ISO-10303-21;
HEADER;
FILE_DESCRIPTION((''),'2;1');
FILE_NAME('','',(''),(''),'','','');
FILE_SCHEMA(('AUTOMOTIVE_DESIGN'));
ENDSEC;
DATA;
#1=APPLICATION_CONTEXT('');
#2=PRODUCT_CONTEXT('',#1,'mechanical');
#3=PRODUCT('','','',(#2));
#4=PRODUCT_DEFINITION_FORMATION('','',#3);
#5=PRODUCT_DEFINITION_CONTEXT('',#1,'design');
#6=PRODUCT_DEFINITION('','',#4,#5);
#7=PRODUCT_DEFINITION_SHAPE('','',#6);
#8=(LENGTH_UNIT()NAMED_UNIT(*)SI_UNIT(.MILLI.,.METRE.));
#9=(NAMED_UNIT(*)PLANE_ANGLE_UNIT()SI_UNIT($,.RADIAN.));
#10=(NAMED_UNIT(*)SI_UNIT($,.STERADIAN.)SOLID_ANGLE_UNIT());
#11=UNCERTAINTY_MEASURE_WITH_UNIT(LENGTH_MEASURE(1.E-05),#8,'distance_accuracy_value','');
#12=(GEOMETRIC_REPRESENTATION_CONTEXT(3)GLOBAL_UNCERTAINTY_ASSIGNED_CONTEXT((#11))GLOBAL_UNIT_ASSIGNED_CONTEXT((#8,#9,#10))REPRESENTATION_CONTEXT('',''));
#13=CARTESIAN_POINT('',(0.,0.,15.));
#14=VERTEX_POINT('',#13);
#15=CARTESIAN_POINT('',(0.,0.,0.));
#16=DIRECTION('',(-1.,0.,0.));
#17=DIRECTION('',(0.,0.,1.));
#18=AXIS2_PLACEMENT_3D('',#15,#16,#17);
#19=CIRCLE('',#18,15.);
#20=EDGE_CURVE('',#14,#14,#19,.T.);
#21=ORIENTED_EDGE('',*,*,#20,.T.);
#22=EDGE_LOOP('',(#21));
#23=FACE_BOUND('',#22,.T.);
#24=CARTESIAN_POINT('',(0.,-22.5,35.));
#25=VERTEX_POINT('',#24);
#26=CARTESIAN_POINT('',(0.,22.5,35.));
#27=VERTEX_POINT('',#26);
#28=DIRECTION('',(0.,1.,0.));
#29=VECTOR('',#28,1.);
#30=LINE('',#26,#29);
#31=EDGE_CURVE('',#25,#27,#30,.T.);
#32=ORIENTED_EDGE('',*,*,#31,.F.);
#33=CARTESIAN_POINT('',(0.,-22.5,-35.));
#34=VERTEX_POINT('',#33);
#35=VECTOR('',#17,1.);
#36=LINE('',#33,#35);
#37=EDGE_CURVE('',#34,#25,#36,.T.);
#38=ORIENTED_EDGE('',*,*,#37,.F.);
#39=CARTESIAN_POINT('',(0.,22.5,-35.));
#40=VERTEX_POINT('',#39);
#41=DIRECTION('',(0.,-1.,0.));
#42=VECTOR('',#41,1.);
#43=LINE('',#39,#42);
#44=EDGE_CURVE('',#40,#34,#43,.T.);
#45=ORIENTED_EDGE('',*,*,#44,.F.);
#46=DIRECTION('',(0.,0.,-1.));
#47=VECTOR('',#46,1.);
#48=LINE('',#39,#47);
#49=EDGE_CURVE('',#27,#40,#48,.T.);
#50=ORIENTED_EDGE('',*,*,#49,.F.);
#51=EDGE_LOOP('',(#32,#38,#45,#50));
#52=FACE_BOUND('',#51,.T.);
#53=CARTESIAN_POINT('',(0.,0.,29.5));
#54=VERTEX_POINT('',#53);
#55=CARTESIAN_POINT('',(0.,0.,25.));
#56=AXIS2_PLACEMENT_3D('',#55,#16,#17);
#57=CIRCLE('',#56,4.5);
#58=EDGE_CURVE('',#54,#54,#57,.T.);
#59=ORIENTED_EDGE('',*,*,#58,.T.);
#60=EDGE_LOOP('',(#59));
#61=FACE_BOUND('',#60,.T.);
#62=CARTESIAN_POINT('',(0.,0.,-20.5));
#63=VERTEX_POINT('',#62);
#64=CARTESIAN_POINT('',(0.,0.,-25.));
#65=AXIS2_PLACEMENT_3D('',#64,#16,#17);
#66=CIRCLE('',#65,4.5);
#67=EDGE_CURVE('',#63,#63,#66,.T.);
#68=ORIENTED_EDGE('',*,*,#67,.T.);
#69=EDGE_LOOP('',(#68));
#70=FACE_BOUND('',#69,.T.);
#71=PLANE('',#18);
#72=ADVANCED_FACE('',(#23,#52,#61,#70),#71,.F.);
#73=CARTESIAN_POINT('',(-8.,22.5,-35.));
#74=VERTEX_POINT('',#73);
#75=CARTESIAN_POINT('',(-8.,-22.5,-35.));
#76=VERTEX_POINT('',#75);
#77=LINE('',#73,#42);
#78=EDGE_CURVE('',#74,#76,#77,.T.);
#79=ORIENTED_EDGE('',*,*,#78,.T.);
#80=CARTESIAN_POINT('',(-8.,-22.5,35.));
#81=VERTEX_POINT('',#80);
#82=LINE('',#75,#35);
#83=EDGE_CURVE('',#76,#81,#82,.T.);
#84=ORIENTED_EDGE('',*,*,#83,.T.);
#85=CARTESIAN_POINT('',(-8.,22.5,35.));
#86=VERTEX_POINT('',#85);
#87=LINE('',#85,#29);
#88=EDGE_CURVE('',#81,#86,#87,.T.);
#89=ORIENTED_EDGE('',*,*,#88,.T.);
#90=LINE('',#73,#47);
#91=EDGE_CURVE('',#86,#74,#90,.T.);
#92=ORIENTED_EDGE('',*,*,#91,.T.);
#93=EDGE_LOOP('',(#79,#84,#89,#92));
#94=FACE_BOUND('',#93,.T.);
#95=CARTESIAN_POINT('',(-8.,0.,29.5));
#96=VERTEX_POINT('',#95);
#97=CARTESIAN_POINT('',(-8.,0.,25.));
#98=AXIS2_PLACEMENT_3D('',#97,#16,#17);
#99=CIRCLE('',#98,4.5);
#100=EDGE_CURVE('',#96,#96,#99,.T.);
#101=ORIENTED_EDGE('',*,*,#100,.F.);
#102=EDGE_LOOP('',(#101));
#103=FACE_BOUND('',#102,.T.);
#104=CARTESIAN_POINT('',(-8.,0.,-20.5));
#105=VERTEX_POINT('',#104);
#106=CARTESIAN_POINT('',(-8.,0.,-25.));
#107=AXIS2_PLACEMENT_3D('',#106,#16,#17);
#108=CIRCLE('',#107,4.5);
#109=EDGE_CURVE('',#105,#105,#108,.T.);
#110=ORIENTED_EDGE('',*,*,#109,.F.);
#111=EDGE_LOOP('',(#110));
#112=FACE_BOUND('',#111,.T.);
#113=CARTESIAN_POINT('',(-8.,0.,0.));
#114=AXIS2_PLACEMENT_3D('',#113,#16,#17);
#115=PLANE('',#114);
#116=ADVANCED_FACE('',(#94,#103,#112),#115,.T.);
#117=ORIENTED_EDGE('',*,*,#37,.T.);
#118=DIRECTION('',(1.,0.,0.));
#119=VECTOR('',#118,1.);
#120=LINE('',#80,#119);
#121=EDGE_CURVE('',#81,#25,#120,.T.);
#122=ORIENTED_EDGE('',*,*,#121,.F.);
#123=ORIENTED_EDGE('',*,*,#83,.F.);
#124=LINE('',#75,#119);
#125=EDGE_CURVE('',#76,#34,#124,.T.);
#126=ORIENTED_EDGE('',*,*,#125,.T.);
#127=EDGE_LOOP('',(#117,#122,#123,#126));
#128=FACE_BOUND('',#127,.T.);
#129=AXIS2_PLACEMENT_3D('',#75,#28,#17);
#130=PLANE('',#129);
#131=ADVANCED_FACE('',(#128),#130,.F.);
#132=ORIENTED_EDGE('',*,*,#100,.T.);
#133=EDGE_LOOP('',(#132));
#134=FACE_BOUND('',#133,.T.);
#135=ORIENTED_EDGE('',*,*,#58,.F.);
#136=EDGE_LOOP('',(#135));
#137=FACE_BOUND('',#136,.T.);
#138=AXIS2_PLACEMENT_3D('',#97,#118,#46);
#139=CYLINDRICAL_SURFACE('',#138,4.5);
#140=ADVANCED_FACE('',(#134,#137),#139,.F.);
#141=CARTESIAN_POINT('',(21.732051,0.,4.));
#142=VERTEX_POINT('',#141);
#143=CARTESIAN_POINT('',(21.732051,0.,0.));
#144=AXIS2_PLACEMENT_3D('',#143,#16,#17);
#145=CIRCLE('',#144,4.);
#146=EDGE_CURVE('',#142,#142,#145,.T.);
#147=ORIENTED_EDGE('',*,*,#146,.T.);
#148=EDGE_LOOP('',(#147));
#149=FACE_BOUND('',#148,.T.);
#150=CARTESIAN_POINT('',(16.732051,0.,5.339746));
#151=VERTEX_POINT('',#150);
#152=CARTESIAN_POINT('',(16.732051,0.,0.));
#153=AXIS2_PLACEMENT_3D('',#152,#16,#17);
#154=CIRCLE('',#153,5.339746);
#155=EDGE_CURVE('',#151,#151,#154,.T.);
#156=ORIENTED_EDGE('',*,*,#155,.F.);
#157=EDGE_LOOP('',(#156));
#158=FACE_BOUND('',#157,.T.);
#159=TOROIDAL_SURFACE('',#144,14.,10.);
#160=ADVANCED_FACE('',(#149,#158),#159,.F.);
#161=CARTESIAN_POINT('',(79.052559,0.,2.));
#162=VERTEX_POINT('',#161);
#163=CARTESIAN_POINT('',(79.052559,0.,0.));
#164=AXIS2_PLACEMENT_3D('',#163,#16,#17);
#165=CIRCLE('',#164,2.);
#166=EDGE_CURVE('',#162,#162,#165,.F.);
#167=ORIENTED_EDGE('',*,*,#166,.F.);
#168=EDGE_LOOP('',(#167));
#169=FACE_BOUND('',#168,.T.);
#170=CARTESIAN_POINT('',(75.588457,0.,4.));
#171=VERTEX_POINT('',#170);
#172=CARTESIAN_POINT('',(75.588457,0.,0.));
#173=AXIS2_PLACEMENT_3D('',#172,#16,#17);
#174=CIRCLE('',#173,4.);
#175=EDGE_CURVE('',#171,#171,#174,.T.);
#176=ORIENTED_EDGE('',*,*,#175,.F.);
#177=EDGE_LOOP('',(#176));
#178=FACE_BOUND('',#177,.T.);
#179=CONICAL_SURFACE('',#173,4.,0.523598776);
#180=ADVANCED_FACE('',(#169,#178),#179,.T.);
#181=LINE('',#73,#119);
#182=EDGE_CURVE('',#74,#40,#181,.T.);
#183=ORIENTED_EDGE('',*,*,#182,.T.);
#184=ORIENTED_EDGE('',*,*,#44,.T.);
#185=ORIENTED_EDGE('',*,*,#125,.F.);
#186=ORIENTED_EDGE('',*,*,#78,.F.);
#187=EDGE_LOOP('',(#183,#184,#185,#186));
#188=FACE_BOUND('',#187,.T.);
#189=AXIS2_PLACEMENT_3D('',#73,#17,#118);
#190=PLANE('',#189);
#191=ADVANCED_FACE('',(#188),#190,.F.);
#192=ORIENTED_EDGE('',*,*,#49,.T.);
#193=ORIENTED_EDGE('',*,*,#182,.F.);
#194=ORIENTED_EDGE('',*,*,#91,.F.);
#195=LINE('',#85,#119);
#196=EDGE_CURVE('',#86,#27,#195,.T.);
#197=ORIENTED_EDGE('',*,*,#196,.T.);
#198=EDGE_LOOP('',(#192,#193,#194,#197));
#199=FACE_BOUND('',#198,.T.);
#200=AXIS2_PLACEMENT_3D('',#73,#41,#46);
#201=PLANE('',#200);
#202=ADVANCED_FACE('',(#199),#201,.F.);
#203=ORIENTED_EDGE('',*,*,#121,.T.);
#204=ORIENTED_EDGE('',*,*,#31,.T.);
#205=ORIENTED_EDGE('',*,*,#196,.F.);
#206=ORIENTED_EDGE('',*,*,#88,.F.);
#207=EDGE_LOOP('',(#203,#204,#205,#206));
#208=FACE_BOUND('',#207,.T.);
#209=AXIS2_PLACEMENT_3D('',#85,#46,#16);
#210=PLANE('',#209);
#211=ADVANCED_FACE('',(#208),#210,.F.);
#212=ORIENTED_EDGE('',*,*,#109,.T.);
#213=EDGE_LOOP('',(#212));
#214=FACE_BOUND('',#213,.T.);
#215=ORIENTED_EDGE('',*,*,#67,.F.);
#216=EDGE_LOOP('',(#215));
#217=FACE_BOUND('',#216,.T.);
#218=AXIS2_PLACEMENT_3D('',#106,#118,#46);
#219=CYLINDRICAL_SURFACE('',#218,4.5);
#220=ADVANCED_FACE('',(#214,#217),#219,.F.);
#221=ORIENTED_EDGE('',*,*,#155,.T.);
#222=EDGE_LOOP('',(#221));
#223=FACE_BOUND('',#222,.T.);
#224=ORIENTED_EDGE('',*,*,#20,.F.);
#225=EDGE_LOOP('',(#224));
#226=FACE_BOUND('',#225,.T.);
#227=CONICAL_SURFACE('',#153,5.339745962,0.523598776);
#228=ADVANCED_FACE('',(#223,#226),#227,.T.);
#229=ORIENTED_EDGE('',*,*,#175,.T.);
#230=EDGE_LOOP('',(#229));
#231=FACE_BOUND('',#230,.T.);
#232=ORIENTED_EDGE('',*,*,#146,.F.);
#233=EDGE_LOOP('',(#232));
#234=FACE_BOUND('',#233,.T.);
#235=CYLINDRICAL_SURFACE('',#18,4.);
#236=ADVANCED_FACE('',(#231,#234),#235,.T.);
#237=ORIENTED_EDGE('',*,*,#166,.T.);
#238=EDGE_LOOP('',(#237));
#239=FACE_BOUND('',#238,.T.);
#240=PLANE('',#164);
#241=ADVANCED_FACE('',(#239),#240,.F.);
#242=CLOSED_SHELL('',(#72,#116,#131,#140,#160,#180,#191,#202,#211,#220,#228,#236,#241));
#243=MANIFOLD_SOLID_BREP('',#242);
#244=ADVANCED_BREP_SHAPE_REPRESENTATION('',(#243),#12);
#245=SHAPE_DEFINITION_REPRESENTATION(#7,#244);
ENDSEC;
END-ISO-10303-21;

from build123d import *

# Parameters (mm, degrees)
FASE1_SIZE                      = 2
FASE1_SIZE2                     = 3.464101615
SKIZZE2_W                       = 70
SKIZZE2_H                       = 45
SKIZZE2_R                       = 4.5
AUFSATZ_LINEAR_AUSTRAGEN1_DEPTH = 8


with BuildPart() as part:
    # Skizze1 → Rotation1 (revolve)
    with BuildSketch(Plane.XY):
        with BuildLine():
            Line((79.052558883, 0), (79.052558883, 4))
            Line((79.052558883, 4), (21.732050808, 4))
            ThreePointArc((21.732050808, 4), (19.143860357, 4.340741737), (16.732050808, 5.339745962))
            Line((16.732050808, 5.339745962), (0, 15))
            Line((0, 15), (0, 0))
            Line((0, 0), (79.052558883, 0))
        make_face()
    revolve(axis=Axis((0, 0, 0), (1, 0, 0)))

    # Fase1
    fase1_edges = [part.edges().sort_by_distance(p)[0] for p in [
        (79.052558883, -4, 0),
    ]]
    fase1_side = [part.faces().sort_by_distance(p)[0] for p in [
        (79.052558883, 0, 0),
    ]]
    chamfer(fase1_edges, length=FASE1_SIZE, length2=FASE1_SIZE2, reference=fase1_side[0])

    # Skizze2 → Aufsatz-Linear austragen1 (add)
    with BuildSketch(Plane.ZY):
        Rectangle(SKIZZE2_W, SKIZZE2_H)
        with Locations((-25, 0)):
            Circle(SKIZZE2_R, mode=Mode.SUBTRACT)
        with Locations((25, 0)):
            Circle(SKIZZE2_R, mode=Mode.SUBTRACT)
    extrude(amount=AUFSATZ_LINEAR_AUSTRAGEN1_DEPTH)


solid = part.part
